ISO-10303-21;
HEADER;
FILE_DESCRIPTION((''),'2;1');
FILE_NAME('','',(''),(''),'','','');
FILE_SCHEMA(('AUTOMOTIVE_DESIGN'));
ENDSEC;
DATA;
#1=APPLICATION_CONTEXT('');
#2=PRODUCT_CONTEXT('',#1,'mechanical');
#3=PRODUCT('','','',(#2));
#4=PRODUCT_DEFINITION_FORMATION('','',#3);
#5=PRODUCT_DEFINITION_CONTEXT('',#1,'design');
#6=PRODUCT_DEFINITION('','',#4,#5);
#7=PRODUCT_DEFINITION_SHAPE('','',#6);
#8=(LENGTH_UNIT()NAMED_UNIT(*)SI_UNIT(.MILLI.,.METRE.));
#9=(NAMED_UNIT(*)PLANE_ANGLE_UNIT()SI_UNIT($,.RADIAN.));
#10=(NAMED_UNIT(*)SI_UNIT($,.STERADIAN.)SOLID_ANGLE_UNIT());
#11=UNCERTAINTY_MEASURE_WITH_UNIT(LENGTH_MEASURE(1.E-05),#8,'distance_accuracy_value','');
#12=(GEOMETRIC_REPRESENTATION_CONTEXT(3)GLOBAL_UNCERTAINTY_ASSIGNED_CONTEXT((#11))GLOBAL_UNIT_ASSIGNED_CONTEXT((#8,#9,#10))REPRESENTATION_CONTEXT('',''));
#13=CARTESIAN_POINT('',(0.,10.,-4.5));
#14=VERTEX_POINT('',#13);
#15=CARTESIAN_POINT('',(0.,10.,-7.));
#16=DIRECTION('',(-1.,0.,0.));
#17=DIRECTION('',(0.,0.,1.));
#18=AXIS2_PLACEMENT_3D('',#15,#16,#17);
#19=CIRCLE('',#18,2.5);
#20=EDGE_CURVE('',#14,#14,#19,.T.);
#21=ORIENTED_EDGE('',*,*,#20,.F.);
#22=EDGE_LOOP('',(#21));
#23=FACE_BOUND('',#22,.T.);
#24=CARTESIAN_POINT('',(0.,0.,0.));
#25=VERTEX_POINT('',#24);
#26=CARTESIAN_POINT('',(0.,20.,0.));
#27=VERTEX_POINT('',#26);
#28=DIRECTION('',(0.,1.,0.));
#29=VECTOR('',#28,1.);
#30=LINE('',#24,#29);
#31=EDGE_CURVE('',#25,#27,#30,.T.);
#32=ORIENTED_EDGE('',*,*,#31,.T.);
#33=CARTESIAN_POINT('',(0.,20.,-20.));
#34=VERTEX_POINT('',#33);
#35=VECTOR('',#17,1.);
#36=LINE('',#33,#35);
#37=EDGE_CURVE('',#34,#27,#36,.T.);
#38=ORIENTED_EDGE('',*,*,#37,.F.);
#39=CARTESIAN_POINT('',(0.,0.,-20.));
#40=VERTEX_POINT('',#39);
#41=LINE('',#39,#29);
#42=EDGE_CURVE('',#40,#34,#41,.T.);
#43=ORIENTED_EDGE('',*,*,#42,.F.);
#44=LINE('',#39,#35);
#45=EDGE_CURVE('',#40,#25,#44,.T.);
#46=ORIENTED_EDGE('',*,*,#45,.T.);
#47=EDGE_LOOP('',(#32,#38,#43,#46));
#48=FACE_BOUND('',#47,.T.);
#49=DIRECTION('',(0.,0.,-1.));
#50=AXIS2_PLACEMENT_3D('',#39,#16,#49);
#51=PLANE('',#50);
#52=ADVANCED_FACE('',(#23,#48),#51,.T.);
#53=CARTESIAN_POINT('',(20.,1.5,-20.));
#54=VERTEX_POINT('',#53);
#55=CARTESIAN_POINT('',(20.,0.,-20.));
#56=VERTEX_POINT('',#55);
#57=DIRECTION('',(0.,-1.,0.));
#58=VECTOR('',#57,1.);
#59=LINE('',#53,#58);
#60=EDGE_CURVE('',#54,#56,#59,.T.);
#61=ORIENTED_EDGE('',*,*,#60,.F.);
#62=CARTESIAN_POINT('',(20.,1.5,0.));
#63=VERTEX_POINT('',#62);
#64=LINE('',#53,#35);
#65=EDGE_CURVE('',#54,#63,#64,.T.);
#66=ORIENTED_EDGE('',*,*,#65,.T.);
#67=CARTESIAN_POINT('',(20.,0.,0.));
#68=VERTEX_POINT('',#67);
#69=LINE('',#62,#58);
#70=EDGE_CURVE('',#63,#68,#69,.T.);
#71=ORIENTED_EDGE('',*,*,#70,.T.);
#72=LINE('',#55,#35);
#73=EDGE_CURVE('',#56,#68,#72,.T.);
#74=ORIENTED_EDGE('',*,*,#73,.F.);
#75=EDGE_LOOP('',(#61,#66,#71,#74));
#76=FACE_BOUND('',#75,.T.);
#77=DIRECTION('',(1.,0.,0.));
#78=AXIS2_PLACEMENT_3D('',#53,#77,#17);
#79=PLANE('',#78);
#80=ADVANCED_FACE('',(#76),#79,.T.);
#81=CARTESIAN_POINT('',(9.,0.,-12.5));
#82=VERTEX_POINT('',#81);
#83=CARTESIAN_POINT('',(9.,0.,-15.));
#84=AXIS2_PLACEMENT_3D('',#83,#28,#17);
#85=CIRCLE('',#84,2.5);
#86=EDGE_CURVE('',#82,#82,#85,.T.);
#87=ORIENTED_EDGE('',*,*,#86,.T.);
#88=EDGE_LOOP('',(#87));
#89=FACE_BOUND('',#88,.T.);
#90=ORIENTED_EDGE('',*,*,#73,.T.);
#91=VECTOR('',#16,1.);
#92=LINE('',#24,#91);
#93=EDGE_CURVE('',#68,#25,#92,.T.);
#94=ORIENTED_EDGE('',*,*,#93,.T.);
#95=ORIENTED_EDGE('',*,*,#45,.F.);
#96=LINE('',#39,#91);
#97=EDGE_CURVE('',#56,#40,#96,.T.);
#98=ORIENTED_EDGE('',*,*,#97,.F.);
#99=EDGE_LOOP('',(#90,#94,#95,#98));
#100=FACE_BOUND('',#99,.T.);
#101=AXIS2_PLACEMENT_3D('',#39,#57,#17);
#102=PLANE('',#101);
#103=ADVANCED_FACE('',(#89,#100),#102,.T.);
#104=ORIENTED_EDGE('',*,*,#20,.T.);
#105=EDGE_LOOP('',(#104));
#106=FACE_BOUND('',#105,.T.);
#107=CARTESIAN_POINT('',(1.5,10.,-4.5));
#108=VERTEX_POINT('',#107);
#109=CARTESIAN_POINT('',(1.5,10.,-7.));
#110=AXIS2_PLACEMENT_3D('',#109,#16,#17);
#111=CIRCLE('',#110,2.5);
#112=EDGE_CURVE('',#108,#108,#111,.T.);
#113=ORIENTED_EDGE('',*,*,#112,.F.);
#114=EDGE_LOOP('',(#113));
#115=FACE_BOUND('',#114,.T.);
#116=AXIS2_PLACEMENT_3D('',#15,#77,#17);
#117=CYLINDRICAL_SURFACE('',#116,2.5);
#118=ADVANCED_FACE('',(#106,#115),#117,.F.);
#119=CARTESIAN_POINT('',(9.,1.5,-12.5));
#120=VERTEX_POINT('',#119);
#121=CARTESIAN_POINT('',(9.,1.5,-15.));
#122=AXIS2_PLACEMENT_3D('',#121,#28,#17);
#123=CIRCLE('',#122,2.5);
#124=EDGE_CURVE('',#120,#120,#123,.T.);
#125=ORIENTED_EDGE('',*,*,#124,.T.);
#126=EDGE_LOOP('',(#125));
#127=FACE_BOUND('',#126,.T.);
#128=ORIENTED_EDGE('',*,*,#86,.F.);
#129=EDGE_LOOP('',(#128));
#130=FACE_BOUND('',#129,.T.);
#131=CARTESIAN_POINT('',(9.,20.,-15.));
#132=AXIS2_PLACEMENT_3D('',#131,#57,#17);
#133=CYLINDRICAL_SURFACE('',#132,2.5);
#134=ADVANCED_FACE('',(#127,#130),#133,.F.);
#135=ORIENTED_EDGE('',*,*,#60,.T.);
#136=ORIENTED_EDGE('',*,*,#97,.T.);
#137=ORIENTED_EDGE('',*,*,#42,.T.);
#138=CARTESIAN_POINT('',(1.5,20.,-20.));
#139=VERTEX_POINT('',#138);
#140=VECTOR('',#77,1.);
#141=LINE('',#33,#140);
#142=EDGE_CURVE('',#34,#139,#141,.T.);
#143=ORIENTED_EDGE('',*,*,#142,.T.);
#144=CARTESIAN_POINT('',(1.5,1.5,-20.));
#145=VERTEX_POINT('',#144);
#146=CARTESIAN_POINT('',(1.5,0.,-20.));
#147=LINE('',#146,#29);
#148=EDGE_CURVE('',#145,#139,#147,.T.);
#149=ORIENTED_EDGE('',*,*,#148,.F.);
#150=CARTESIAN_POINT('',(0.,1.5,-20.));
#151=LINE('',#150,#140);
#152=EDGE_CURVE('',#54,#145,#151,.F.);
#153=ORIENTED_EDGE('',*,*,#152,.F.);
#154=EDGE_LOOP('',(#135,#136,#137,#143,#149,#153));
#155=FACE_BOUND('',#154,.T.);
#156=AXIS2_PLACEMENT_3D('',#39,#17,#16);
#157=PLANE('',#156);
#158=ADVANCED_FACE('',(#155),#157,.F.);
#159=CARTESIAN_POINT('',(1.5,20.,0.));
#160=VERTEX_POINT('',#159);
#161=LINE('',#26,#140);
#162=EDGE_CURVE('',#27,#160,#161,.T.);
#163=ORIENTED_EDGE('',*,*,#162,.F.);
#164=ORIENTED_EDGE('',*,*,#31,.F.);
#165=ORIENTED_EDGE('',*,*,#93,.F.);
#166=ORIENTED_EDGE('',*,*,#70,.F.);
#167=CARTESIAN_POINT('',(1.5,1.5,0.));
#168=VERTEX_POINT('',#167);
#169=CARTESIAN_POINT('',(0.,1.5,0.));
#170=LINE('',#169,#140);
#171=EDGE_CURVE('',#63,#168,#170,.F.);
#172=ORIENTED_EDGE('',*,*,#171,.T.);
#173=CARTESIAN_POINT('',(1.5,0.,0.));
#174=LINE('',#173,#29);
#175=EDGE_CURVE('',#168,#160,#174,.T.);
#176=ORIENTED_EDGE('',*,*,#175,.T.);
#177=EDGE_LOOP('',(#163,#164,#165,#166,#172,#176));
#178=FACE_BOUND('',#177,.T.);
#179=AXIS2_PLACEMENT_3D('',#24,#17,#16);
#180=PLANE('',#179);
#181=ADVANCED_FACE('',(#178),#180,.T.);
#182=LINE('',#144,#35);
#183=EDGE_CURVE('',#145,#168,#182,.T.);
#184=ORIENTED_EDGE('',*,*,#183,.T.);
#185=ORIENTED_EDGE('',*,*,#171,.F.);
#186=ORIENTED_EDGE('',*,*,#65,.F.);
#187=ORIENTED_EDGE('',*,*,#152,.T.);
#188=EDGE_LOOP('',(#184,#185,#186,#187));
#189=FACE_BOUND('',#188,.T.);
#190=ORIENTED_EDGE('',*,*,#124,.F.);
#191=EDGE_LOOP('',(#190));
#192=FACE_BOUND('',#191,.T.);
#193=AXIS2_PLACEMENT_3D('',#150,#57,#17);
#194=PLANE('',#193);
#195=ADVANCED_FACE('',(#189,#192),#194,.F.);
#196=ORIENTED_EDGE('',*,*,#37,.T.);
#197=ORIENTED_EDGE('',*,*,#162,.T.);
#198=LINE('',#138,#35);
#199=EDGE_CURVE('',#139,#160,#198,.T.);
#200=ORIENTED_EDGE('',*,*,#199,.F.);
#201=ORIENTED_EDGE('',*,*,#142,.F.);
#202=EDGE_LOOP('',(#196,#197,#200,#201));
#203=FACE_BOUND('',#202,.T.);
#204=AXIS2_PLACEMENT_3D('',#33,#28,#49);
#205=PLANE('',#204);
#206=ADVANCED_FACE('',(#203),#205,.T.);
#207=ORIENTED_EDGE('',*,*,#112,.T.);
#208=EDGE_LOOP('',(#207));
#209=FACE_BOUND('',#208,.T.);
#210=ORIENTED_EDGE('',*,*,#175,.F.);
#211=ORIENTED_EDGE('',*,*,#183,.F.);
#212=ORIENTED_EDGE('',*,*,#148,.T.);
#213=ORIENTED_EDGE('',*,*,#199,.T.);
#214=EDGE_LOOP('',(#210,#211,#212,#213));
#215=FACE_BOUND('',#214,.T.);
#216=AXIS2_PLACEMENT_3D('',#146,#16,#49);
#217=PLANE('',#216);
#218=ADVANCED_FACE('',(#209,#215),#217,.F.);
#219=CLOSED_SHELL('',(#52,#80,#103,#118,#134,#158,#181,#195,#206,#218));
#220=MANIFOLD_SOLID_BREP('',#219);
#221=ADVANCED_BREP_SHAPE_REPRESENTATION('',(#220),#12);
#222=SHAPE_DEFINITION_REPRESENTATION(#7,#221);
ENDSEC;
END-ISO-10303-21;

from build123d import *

# Parameters (mm, degrees)
EXTRUDE_THIN1_DEPTH = 20
SKETCH2_R           = 2.5
CUT_EXTRUDE1_DEPTH  = 21
SKETCH3_R           = 2.5
CUT_EXTRUDE2_DEPTH  = 2.5


with BuildPart() as part:
    # Sketch1 → Extrude-Thin1 (new body)
    with BuildSketch(Plane.XY):
        Polygon((0, 20), (0, 0), (20, 0), (20, 1.5), (1.5, 1.5), (1.5, 20), align=None)
    extrude(amount=EXTRUDE_THIN1_DEPTH)

    # Sketch2 → Cut-Extrude1 (cut, through all)
    with BuildSketch(Plane(origin=(0, 0, 0), x_dir=(-1, 0, 0), z_dir=(0, -1, 0))):
        with Locations((-9, -15)):
            Circle(SKETCH2_R)
    extrude(amount=-CUT_EXTRUDE1_DEPTH, mode=Mode.SUBTRACT)

    # Sketch3 → Cut-Extrude2 (cut, through all)
    with BuildSketch(Plane(origin=(1.5, 0, 0), x_dir=(0, 0, -1), z_dir=(1, 0, 0))):
        with Locations((-7, 10)):
            Circle(SKETCH3_R)
    extrude(amount=-CUT_EXTRUDE2_DEPTH, mode=Mode.SUBTRACT)


with BuildPart() as body_2:
    # Mirror1: mirrored copy
    add(part.part.mirror(Plane.XY))


solid = body_2.part
